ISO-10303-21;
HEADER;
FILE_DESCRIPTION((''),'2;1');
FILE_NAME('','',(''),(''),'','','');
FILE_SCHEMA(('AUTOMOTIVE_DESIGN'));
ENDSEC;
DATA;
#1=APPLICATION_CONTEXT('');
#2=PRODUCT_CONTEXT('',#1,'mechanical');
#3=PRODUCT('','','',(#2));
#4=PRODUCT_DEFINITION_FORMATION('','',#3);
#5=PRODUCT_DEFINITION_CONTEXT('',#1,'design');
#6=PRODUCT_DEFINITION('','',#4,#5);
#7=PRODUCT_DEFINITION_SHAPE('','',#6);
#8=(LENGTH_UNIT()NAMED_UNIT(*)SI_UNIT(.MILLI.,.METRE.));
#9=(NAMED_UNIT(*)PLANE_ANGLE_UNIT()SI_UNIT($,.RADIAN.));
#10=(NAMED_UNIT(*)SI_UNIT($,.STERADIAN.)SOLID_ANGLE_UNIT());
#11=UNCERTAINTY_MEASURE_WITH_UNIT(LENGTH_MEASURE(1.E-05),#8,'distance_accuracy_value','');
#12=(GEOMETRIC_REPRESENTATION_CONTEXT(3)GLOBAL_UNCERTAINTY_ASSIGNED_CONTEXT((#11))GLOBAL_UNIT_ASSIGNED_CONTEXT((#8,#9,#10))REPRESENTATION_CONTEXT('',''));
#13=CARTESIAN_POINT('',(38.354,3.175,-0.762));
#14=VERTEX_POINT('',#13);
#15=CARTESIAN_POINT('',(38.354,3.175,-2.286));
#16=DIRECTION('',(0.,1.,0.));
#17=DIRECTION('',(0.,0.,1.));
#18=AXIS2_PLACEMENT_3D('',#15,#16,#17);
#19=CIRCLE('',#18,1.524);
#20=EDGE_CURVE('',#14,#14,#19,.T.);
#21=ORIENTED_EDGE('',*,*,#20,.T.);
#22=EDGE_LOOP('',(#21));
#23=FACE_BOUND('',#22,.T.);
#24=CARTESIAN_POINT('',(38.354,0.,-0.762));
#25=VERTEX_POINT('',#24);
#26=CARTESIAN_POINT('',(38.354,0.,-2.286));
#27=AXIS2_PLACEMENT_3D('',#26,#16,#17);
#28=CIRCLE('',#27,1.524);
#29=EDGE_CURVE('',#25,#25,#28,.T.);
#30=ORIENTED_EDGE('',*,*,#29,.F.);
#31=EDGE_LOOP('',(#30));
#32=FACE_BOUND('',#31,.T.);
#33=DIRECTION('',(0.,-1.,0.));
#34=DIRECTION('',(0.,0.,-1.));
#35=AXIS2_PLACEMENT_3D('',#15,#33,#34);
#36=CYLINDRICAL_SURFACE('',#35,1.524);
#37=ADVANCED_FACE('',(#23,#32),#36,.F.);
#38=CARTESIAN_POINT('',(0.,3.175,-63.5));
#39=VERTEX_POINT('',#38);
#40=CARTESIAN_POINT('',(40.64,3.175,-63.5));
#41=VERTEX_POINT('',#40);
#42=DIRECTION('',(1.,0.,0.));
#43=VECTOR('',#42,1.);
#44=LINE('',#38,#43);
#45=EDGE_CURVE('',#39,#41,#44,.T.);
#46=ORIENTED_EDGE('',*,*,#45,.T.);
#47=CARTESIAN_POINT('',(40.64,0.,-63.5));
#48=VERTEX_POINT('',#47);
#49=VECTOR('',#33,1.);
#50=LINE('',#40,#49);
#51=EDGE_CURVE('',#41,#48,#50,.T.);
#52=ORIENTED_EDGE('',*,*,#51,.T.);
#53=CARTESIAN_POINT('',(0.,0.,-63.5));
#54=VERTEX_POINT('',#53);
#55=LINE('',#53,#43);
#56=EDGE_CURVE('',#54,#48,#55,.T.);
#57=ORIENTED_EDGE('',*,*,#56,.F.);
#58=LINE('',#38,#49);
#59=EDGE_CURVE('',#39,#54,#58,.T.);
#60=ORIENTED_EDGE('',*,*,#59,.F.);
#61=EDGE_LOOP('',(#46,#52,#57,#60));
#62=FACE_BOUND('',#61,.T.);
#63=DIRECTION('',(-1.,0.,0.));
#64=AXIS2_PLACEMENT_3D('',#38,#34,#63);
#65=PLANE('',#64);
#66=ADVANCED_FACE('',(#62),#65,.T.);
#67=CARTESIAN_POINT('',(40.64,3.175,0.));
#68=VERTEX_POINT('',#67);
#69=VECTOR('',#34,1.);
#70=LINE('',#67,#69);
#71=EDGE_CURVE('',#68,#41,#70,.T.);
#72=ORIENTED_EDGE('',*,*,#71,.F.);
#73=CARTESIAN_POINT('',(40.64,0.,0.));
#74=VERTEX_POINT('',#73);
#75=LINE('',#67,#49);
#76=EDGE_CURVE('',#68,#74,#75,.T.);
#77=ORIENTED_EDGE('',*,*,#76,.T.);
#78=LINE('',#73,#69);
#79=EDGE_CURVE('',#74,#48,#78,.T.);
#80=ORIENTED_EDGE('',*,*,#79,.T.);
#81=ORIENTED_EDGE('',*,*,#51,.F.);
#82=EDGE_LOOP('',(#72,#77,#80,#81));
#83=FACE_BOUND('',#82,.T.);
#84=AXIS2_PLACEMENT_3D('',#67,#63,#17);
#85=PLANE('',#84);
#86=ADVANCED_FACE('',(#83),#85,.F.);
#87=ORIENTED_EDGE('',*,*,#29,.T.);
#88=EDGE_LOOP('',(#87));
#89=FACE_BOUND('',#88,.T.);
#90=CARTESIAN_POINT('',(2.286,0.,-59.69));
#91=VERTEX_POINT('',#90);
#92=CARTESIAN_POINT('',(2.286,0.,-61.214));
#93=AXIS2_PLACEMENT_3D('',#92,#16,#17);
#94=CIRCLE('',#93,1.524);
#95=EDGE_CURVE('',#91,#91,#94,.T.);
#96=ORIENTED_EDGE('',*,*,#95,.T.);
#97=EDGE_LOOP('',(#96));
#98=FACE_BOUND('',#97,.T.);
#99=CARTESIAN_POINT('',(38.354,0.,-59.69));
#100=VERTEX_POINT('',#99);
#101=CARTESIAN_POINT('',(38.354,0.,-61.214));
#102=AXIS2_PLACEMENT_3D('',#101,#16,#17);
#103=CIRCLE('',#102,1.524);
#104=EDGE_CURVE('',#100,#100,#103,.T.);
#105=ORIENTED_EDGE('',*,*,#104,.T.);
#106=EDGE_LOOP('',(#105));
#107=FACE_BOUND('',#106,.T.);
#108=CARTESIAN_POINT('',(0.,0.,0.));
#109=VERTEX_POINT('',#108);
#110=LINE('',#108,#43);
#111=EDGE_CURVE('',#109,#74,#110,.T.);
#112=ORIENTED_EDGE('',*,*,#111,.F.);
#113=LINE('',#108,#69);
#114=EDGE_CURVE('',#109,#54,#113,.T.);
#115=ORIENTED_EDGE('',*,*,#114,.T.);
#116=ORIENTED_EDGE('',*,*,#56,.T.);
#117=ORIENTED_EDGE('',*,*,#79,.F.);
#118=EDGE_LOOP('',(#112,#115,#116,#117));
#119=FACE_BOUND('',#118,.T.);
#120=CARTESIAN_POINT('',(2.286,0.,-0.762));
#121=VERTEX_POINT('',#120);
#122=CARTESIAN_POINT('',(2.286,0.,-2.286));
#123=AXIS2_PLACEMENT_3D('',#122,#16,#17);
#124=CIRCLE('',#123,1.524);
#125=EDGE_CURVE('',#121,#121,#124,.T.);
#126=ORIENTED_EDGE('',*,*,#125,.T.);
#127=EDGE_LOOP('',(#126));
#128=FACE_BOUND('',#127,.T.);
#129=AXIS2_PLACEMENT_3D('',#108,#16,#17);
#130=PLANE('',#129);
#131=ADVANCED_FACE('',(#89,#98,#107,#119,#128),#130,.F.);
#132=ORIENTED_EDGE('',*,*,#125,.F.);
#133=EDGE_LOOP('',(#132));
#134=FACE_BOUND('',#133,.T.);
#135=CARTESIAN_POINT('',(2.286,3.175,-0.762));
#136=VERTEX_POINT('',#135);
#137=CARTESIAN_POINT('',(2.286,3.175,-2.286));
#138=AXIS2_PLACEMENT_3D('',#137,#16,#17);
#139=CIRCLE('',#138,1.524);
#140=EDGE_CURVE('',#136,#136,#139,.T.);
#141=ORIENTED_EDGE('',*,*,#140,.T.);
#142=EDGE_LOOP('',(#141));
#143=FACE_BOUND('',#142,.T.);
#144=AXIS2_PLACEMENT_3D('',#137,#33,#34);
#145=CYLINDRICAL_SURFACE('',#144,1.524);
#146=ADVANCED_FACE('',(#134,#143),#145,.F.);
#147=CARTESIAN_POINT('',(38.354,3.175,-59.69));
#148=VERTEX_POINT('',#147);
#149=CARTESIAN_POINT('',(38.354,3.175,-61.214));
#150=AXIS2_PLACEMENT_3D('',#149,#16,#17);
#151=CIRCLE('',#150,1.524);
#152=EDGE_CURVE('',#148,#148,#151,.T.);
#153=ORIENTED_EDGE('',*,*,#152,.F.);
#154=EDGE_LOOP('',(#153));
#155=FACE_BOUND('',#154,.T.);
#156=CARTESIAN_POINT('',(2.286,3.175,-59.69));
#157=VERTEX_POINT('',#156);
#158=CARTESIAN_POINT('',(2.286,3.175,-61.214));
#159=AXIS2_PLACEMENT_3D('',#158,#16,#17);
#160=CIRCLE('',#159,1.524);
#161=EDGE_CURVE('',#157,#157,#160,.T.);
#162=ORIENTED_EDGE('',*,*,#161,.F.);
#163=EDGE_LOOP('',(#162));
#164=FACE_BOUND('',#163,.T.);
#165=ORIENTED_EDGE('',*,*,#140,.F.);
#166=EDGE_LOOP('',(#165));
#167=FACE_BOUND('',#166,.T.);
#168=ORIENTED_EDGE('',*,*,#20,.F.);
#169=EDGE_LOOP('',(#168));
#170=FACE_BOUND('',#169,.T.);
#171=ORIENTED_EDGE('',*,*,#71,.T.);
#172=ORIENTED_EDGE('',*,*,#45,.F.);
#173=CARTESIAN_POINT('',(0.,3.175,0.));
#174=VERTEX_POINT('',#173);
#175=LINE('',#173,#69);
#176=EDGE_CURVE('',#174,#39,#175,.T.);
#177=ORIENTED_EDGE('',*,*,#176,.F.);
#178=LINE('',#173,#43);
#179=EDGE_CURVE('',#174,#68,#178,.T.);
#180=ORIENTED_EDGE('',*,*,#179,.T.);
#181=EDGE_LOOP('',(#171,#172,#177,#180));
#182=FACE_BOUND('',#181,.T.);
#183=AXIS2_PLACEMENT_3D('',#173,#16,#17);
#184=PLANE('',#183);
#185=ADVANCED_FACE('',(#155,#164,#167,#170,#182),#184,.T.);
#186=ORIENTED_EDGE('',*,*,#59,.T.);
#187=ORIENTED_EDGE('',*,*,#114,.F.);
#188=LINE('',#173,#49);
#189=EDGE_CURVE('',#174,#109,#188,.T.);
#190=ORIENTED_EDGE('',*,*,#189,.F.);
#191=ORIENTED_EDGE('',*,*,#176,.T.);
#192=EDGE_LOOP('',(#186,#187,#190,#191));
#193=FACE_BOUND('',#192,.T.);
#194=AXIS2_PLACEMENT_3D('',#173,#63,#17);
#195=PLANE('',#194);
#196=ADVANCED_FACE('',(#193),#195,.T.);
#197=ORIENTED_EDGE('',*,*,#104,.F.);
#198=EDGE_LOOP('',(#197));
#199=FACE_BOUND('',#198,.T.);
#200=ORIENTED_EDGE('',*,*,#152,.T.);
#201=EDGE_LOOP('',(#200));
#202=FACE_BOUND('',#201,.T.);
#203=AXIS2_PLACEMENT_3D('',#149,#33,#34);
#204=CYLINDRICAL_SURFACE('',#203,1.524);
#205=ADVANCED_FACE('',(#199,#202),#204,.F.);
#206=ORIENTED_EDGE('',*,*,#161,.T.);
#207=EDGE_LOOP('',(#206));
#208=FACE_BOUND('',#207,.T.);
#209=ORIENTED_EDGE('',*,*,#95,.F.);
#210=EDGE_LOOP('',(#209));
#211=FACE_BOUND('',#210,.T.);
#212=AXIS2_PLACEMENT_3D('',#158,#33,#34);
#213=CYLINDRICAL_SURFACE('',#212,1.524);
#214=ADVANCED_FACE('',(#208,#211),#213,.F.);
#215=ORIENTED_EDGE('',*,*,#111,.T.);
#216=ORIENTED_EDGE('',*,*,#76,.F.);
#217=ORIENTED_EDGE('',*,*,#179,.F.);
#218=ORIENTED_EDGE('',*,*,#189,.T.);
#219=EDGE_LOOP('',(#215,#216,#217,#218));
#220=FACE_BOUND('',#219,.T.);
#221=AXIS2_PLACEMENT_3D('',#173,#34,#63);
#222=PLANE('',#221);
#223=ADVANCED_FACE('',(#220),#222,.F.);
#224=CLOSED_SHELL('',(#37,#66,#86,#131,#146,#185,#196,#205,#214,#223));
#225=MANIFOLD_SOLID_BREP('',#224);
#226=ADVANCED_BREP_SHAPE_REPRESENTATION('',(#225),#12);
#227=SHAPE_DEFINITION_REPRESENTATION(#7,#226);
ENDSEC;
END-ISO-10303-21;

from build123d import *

# Parameters (mm, degrees)
SKETCH1_W           = 40.64
SKETCH1_H           = 63.5
SKETCH1_R           = 1.524
BOSS_EXTRUDE1_DEPTH = 3.175


with BuildPart() as part:
    # Sketch1 → Boss-Extrude1 (new body)
    with BuildSketch(Plane(origin=(0, 0, 0), x_dir=(1, 0, 0), z_dir=(0, 1, 0))):
        with Locations((20.32, 31.75)):
            Rectangle(SKETCH1_W, SKETCH1_H)
        with Locations((2.286, 2.286)):
            Circle(SKETCH1_R, mode=Mode.SUBTRACT)
        with Locations((38.354, 2.286)):
            Circle(SKETCH1_R, mode=Mode.SUBTRACT)
        with Locations((2.286, 61.214)):
            Circle(SKETCH1_R, mode=Mode.SUBTRACT)
        with Locations((38.354, 61.214)):
            Circle(SKETCH1_R, mode=Mode.SUBTRACT)
    extrude(amount=BOSS_EXTRUDE1_DEPTH)


solid = part.part
